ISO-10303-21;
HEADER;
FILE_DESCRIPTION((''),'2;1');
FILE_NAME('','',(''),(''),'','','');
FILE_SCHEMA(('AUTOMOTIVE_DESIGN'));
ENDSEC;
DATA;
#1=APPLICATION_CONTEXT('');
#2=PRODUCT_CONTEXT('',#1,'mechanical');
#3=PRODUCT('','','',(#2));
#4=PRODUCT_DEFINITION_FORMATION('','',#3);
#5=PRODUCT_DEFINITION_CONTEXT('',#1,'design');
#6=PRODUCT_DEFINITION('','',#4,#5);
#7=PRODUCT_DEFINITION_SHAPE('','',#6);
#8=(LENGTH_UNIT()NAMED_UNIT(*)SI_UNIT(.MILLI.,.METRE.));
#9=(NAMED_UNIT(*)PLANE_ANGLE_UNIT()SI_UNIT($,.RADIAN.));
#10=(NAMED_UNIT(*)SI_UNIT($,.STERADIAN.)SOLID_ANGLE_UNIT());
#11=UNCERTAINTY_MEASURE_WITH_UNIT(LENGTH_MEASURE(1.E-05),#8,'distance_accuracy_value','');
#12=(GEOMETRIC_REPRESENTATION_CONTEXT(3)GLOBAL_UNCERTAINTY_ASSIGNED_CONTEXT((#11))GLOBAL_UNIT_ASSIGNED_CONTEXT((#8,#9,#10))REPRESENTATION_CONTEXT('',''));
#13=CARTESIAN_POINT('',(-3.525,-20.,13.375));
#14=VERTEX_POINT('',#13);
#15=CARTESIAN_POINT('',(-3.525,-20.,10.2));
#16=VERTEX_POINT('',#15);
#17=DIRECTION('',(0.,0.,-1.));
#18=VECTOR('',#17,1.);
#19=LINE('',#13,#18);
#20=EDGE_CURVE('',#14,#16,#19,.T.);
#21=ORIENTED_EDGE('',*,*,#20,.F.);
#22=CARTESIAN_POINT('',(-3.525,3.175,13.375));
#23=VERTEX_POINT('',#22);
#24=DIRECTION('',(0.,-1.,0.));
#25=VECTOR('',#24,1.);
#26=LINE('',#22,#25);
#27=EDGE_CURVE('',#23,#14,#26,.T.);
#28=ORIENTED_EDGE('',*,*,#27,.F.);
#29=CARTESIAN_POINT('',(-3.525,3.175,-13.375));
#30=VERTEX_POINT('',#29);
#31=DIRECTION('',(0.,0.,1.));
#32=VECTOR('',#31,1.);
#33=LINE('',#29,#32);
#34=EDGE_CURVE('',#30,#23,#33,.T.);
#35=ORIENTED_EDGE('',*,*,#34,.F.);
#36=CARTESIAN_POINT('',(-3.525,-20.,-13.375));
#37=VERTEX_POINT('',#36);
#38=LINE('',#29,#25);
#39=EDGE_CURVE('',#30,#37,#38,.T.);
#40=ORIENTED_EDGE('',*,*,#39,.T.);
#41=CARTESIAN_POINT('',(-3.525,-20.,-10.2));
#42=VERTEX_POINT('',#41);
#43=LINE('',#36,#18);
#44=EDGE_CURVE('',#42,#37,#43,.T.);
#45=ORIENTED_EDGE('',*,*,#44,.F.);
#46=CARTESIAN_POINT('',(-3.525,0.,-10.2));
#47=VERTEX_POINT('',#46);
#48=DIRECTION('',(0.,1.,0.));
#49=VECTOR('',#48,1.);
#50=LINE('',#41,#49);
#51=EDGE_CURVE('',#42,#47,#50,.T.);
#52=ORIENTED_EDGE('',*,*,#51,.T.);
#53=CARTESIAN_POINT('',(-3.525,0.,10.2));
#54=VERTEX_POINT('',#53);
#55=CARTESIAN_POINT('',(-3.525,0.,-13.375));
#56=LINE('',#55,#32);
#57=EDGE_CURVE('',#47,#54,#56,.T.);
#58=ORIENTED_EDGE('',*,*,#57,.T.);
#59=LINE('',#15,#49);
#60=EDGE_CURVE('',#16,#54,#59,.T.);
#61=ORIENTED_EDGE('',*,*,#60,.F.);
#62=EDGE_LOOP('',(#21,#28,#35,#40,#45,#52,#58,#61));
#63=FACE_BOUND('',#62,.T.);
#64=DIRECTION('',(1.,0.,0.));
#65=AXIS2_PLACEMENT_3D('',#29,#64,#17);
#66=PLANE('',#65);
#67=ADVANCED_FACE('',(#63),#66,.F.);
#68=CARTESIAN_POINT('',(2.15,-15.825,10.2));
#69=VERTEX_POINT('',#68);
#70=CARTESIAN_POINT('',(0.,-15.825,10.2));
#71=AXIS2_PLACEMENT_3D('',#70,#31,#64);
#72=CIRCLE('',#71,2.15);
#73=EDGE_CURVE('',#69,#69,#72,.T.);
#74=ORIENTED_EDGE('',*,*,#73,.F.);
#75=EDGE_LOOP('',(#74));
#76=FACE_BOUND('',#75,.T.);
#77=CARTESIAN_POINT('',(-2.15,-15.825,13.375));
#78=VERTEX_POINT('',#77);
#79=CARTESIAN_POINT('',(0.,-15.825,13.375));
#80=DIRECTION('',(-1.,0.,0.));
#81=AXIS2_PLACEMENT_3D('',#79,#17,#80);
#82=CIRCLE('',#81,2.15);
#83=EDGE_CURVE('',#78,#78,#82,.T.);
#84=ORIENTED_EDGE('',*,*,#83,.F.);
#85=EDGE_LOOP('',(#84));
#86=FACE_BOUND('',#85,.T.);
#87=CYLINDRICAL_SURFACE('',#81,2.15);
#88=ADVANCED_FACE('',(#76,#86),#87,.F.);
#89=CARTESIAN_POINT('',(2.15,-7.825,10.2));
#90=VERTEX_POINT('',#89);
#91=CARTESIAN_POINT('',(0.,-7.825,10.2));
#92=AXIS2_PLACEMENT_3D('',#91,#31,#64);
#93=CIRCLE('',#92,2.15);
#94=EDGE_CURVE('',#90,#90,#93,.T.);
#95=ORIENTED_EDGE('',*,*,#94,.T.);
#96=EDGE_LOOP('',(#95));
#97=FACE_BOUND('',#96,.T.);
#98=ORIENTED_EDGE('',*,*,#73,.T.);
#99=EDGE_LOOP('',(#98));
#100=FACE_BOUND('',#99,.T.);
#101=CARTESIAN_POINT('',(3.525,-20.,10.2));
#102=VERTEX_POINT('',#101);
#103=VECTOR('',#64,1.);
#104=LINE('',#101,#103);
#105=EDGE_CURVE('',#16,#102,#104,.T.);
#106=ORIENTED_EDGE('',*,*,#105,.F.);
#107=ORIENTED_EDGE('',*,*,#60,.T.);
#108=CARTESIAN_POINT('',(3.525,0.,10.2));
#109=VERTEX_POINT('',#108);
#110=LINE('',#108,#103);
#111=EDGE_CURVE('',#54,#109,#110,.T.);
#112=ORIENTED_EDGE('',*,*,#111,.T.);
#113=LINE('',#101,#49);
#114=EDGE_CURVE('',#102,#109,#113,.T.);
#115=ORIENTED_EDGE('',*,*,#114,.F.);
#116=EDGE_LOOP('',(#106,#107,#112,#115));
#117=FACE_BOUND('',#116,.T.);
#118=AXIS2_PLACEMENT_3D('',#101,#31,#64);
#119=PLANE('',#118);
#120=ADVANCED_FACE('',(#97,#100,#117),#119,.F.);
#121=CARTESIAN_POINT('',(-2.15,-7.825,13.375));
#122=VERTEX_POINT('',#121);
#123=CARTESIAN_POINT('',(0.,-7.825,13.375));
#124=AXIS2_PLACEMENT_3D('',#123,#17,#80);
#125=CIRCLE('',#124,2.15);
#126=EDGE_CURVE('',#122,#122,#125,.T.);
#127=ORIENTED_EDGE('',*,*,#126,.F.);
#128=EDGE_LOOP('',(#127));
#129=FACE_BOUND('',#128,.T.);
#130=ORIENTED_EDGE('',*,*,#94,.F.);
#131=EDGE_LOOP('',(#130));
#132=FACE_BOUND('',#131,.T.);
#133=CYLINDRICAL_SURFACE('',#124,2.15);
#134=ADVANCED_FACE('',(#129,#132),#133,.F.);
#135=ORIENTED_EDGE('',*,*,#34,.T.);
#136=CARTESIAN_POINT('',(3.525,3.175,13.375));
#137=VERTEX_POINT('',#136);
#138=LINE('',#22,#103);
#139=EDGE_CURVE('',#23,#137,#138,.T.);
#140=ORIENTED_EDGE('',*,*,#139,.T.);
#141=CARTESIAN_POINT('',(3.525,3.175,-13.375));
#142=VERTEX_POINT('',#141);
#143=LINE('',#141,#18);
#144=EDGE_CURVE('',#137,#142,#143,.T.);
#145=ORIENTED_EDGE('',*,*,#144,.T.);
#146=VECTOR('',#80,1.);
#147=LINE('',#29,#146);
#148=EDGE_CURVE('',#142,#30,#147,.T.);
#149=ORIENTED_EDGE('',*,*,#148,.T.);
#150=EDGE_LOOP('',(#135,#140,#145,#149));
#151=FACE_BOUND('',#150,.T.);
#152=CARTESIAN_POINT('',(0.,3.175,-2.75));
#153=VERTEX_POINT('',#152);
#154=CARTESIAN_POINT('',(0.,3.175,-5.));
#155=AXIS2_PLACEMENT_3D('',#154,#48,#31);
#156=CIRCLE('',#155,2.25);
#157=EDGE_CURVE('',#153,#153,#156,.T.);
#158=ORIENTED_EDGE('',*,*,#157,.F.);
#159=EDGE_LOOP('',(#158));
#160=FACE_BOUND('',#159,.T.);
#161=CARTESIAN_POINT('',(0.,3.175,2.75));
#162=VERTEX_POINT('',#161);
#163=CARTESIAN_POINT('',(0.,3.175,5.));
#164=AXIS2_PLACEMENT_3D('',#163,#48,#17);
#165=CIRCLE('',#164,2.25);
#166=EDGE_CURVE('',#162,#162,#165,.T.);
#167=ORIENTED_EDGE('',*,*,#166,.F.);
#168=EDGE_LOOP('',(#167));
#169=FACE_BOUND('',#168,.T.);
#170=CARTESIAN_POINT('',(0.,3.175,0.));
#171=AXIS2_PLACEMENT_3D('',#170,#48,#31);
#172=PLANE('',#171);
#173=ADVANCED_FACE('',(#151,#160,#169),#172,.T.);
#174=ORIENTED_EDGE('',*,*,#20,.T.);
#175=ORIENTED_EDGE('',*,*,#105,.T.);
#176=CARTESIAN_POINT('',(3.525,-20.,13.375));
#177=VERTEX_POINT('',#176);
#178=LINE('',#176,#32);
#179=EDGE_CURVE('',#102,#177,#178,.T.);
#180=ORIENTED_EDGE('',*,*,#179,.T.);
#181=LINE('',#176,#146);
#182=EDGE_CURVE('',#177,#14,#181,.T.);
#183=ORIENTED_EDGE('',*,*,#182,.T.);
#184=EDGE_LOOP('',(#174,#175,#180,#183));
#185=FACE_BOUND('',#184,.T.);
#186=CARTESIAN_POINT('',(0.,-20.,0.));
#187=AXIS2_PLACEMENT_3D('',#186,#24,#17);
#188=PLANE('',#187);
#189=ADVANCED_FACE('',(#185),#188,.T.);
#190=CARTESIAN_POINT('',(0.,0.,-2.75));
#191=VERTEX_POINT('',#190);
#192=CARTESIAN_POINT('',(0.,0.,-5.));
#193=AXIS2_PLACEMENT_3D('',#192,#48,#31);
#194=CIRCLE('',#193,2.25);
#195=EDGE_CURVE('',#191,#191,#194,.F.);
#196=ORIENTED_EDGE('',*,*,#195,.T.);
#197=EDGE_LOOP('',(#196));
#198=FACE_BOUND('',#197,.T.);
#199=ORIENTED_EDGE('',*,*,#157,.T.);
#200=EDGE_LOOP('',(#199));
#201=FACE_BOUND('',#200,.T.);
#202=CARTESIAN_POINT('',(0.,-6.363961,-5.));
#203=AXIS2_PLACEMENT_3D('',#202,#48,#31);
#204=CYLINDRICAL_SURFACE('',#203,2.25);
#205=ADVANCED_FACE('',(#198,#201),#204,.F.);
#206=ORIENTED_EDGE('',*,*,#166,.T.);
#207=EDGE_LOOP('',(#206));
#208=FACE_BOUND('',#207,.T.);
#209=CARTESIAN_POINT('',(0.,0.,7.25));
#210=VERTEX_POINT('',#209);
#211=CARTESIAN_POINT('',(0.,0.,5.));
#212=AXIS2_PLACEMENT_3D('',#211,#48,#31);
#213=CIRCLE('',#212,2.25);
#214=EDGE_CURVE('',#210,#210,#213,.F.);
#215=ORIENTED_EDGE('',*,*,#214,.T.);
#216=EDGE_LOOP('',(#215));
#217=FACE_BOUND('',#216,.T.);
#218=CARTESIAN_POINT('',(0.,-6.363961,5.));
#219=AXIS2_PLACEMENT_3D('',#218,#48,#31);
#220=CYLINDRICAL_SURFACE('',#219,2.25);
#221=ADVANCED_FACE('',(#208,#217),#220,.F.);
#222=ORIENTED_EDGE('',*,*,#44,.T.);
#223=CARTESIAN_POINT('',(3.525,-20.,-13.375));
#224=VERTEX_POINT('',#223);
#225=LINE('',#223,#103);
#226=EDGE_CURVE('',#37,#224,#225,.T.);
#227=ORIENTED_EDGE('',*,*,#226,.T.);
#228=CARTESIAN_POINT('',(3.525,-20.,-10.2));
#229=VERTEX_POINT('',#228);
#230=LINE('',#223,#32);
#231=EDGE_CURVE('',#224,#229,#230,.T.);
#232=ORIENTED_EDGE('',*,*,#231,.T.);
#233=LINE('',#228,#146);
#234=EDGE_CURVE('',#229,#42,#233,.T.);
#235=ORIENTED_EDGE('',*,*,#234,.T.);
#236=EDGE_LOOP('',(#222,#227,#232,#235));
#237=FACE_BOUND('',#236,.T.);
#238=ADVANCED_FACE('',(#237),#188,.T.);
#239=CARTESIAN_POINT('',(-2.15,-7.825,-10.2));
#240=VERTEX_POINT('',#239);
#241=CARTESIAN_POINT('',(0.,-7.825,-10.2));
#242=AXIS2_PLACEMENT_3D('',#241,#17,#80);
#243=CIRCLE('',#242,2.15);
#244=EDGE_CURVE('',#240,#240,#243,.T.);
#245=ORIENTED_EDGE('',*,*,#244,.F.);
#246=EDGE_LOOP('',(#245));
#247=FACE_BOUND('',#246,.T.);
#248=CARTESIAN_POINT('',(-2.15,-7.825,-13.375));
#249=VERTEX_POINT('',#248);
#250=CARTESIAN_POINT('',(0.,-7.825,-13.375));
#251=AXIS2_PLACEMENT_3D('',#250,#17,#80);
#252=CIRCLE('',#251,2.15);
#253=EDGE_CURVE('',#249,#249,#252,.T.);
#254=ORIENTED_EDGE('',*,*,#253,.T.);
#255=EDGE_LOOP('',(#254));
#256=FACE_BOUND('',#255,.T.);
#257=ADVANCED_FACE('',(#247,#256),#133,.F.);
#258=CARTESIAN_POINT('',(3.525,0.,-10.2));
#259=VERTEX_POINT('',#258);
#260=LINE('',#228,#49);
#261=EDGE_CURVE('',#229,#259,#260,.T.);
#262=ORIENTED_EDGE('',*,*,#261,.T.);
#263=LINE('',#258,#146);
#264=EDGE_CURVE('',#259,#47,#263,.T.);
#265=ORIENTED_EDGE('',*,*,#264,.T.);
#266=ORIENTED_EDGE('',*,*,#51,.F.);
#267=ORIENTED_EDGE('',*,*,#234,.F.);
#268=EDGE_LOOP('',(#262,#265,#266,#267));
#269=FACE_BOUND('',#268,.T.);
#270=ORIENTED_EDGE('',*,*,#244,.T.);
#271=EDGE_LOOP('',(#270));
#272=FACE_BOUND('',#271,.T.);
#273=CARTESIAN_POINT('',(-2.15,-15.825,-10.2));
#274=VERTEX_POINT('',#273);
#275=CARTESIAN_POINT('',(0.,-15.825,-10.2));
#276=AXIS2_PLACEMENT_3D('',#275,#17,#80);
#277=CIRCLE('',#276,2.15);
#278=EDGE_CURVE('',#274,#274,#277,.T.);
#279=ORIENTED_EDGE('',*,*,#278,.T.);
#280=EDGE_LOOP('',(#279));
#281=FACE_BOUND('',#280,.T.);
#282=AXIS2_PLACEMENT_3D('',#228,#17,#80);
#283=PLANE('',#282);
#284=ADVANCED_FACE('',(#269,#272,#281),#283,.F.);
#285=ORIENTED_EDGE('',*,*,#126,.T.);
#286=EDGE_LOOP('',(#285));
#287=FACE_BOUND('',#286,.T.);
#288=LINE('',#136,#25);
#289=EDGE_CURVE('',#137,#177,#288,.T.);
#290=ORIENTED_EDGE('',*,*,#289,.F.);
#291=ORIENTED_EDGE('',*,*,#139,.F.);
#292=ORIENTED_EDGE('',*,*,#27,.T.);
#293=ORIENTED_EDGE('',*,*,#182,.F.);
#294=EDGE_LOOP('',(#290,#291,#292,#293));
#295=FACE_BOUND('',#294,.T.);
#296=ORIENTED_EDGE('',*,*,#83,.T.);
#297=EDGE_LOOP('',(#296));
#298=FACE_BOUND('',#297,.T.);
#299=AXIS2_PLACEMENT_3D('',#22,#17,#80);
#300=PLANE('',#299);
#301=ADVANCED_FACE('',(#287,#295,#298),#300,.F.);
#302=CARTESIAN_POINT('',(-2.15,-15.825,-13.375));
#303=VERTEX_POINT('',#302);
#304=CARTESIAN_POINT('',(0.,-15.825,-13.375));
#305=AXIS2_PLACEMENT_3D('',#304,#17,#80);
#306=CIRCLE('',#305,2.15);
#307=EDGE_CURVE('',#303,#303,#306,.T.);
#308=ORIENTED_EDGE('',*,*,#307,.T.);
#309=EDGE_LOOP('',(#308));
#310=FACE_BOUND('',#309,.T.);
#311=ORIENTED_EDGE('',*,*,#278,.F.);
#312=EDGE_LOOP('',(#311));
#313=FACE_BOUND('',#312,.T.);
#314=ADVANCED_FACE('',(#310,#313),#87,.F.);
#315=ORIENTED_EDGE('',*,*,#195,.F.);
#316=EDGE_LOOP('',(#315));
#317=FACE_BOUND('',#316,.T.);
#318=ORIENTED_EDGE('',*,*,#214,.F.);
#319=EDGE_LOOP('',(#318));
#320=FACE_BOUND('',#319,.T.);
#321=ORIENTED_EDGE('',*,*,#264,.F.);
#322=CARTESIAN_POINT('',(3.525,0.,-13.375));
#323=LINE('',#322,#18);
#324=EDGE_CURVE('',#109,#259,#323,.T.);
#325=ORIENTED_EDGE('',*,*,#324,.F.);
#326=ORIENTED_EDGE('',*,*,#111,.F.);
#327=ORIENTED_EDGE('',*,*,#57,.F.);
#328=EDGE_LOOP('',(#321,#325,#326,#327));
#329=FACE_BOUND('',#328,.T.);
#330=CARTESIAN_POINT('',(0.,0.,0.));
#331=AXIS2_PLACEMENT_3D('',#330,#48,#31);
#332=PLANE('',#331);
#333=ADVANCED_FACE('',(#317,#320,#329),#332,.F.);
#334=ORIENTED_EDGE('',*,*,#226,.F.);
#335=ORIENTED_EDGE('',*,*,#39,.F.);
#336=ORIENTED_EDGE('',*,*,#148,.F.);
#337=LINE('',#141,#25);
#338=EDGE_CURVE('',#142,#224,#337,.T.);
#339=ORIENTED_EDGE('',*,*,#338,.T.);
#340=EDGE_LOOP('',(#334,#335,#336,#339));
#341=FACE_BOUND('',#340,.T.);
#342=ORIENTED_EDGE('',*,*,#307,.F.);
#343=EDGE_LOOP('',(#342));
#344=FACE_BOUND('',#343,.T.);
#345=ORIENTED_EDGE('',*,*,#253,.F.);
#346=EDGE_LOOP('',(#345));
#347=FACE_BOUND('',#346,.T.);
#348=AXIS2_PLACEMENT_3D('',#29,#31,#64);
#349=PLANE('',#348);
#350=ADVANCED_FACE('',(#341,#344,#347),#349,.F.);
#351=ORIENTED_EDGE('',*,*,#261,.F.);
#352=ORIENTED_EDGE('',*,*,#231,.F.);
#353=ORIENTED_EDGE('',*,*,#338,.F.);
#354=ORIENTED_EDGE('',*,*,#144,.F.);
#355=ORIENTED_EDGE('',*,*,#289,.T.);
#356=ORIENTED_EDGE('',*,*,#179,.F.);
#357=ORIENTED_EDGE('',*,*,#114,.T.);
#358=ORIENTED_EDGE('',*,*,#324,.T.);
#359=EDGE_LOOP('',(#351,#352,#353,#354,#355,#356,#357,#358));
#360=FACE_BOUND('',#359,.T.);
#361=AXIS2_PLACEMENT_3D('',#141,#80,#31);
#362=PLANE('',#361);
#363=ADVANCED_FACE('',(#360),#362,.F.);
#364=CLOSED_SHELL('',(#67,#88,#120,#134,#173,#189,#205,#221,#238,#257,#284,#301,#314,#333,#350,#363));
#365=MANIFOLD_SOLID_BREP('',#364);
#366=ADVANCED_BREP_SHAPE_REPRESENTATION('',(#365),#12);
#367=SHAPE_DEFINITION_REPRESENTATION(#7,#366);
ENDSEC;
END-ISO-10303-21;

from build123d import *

# Parameters (mm, degrees)
SKETCH2_W           = 7.05
SKETCH2_H           = 26.75
BOSS_EXTRUDE1_DEPTH = 3.175
SKETCH3_W           = 7.05
SKETCH3_H           = 3.175
BOSS_EXTRUDE2_DEPTH = 20
SKETCH4_R           = 2.25
CUT_EXTRUDE1_DEPTH  = 3.175
SKETCH5_R           = 2.15
CUT_EXTRUDE2_DEPTH  = 34.585534461


with BuildPart() as part:
    # Sketch2 → Boss-Extrude1 (new body)
    with BuildSketch(Plane(origin=(0, 0, 0), x_dir=(1, 0, 0), z_dir=(0, 1, 0))):
        Rectangle(SKETCH2_W, SKETCH2_H)
    extrude(amount=BOSS_EXTRUDE1_DEPTH)

    # Sketch3 → Boss-Extrude2 (add)
    with BuildSketch(Plane.XZ):
        with Locations((0, 11.7875)):
            Rectangle(SKETCH3_W, SKETCH3_H)
        with Locations((0, -11.7875)):
            Rectangle(SKETCH3_W, SKETCH3_H)
    extrude(amount=BOSS_EXTRUDE2_DEPTH)

    # Sketch4 → Cut-Extrude1 (cut)
    with BuildSketch(Plane(origin=(0, 3.175, 0), x_dir=(1, 0, 0), z_dir=(0, 1, 0))):
        with Locations(Location((0, 5, 0), (0, 0, 270))):
            Circle(SKETCH4_R)
        with Locations(Location((0, -5, 0), (0, 0, 270))):
            Circle(SKETCH4_R)
    extrude(amount=-CUT_EXTRUDE1_DEPTH, mode=Mode.SUBTRACT)

    # Sketch5 → Cut-Extrude2 (cut, through all)
    with BuildSketch(Plane(origin=(0, 0, -13.375), x_dir=(-1, 0, 0), z_dir=(0, 0, -1))):
        with Locations((0, -7.825)):
            Circle(SKETCH5_R)
        with Locations((0, -15.825)):
            Circle(SKETCH5_R)
    extrude(amount=-CUT_EXTRUDE2_DEPTH, mode=Mode.SUBTRACT)


solid = part.part
